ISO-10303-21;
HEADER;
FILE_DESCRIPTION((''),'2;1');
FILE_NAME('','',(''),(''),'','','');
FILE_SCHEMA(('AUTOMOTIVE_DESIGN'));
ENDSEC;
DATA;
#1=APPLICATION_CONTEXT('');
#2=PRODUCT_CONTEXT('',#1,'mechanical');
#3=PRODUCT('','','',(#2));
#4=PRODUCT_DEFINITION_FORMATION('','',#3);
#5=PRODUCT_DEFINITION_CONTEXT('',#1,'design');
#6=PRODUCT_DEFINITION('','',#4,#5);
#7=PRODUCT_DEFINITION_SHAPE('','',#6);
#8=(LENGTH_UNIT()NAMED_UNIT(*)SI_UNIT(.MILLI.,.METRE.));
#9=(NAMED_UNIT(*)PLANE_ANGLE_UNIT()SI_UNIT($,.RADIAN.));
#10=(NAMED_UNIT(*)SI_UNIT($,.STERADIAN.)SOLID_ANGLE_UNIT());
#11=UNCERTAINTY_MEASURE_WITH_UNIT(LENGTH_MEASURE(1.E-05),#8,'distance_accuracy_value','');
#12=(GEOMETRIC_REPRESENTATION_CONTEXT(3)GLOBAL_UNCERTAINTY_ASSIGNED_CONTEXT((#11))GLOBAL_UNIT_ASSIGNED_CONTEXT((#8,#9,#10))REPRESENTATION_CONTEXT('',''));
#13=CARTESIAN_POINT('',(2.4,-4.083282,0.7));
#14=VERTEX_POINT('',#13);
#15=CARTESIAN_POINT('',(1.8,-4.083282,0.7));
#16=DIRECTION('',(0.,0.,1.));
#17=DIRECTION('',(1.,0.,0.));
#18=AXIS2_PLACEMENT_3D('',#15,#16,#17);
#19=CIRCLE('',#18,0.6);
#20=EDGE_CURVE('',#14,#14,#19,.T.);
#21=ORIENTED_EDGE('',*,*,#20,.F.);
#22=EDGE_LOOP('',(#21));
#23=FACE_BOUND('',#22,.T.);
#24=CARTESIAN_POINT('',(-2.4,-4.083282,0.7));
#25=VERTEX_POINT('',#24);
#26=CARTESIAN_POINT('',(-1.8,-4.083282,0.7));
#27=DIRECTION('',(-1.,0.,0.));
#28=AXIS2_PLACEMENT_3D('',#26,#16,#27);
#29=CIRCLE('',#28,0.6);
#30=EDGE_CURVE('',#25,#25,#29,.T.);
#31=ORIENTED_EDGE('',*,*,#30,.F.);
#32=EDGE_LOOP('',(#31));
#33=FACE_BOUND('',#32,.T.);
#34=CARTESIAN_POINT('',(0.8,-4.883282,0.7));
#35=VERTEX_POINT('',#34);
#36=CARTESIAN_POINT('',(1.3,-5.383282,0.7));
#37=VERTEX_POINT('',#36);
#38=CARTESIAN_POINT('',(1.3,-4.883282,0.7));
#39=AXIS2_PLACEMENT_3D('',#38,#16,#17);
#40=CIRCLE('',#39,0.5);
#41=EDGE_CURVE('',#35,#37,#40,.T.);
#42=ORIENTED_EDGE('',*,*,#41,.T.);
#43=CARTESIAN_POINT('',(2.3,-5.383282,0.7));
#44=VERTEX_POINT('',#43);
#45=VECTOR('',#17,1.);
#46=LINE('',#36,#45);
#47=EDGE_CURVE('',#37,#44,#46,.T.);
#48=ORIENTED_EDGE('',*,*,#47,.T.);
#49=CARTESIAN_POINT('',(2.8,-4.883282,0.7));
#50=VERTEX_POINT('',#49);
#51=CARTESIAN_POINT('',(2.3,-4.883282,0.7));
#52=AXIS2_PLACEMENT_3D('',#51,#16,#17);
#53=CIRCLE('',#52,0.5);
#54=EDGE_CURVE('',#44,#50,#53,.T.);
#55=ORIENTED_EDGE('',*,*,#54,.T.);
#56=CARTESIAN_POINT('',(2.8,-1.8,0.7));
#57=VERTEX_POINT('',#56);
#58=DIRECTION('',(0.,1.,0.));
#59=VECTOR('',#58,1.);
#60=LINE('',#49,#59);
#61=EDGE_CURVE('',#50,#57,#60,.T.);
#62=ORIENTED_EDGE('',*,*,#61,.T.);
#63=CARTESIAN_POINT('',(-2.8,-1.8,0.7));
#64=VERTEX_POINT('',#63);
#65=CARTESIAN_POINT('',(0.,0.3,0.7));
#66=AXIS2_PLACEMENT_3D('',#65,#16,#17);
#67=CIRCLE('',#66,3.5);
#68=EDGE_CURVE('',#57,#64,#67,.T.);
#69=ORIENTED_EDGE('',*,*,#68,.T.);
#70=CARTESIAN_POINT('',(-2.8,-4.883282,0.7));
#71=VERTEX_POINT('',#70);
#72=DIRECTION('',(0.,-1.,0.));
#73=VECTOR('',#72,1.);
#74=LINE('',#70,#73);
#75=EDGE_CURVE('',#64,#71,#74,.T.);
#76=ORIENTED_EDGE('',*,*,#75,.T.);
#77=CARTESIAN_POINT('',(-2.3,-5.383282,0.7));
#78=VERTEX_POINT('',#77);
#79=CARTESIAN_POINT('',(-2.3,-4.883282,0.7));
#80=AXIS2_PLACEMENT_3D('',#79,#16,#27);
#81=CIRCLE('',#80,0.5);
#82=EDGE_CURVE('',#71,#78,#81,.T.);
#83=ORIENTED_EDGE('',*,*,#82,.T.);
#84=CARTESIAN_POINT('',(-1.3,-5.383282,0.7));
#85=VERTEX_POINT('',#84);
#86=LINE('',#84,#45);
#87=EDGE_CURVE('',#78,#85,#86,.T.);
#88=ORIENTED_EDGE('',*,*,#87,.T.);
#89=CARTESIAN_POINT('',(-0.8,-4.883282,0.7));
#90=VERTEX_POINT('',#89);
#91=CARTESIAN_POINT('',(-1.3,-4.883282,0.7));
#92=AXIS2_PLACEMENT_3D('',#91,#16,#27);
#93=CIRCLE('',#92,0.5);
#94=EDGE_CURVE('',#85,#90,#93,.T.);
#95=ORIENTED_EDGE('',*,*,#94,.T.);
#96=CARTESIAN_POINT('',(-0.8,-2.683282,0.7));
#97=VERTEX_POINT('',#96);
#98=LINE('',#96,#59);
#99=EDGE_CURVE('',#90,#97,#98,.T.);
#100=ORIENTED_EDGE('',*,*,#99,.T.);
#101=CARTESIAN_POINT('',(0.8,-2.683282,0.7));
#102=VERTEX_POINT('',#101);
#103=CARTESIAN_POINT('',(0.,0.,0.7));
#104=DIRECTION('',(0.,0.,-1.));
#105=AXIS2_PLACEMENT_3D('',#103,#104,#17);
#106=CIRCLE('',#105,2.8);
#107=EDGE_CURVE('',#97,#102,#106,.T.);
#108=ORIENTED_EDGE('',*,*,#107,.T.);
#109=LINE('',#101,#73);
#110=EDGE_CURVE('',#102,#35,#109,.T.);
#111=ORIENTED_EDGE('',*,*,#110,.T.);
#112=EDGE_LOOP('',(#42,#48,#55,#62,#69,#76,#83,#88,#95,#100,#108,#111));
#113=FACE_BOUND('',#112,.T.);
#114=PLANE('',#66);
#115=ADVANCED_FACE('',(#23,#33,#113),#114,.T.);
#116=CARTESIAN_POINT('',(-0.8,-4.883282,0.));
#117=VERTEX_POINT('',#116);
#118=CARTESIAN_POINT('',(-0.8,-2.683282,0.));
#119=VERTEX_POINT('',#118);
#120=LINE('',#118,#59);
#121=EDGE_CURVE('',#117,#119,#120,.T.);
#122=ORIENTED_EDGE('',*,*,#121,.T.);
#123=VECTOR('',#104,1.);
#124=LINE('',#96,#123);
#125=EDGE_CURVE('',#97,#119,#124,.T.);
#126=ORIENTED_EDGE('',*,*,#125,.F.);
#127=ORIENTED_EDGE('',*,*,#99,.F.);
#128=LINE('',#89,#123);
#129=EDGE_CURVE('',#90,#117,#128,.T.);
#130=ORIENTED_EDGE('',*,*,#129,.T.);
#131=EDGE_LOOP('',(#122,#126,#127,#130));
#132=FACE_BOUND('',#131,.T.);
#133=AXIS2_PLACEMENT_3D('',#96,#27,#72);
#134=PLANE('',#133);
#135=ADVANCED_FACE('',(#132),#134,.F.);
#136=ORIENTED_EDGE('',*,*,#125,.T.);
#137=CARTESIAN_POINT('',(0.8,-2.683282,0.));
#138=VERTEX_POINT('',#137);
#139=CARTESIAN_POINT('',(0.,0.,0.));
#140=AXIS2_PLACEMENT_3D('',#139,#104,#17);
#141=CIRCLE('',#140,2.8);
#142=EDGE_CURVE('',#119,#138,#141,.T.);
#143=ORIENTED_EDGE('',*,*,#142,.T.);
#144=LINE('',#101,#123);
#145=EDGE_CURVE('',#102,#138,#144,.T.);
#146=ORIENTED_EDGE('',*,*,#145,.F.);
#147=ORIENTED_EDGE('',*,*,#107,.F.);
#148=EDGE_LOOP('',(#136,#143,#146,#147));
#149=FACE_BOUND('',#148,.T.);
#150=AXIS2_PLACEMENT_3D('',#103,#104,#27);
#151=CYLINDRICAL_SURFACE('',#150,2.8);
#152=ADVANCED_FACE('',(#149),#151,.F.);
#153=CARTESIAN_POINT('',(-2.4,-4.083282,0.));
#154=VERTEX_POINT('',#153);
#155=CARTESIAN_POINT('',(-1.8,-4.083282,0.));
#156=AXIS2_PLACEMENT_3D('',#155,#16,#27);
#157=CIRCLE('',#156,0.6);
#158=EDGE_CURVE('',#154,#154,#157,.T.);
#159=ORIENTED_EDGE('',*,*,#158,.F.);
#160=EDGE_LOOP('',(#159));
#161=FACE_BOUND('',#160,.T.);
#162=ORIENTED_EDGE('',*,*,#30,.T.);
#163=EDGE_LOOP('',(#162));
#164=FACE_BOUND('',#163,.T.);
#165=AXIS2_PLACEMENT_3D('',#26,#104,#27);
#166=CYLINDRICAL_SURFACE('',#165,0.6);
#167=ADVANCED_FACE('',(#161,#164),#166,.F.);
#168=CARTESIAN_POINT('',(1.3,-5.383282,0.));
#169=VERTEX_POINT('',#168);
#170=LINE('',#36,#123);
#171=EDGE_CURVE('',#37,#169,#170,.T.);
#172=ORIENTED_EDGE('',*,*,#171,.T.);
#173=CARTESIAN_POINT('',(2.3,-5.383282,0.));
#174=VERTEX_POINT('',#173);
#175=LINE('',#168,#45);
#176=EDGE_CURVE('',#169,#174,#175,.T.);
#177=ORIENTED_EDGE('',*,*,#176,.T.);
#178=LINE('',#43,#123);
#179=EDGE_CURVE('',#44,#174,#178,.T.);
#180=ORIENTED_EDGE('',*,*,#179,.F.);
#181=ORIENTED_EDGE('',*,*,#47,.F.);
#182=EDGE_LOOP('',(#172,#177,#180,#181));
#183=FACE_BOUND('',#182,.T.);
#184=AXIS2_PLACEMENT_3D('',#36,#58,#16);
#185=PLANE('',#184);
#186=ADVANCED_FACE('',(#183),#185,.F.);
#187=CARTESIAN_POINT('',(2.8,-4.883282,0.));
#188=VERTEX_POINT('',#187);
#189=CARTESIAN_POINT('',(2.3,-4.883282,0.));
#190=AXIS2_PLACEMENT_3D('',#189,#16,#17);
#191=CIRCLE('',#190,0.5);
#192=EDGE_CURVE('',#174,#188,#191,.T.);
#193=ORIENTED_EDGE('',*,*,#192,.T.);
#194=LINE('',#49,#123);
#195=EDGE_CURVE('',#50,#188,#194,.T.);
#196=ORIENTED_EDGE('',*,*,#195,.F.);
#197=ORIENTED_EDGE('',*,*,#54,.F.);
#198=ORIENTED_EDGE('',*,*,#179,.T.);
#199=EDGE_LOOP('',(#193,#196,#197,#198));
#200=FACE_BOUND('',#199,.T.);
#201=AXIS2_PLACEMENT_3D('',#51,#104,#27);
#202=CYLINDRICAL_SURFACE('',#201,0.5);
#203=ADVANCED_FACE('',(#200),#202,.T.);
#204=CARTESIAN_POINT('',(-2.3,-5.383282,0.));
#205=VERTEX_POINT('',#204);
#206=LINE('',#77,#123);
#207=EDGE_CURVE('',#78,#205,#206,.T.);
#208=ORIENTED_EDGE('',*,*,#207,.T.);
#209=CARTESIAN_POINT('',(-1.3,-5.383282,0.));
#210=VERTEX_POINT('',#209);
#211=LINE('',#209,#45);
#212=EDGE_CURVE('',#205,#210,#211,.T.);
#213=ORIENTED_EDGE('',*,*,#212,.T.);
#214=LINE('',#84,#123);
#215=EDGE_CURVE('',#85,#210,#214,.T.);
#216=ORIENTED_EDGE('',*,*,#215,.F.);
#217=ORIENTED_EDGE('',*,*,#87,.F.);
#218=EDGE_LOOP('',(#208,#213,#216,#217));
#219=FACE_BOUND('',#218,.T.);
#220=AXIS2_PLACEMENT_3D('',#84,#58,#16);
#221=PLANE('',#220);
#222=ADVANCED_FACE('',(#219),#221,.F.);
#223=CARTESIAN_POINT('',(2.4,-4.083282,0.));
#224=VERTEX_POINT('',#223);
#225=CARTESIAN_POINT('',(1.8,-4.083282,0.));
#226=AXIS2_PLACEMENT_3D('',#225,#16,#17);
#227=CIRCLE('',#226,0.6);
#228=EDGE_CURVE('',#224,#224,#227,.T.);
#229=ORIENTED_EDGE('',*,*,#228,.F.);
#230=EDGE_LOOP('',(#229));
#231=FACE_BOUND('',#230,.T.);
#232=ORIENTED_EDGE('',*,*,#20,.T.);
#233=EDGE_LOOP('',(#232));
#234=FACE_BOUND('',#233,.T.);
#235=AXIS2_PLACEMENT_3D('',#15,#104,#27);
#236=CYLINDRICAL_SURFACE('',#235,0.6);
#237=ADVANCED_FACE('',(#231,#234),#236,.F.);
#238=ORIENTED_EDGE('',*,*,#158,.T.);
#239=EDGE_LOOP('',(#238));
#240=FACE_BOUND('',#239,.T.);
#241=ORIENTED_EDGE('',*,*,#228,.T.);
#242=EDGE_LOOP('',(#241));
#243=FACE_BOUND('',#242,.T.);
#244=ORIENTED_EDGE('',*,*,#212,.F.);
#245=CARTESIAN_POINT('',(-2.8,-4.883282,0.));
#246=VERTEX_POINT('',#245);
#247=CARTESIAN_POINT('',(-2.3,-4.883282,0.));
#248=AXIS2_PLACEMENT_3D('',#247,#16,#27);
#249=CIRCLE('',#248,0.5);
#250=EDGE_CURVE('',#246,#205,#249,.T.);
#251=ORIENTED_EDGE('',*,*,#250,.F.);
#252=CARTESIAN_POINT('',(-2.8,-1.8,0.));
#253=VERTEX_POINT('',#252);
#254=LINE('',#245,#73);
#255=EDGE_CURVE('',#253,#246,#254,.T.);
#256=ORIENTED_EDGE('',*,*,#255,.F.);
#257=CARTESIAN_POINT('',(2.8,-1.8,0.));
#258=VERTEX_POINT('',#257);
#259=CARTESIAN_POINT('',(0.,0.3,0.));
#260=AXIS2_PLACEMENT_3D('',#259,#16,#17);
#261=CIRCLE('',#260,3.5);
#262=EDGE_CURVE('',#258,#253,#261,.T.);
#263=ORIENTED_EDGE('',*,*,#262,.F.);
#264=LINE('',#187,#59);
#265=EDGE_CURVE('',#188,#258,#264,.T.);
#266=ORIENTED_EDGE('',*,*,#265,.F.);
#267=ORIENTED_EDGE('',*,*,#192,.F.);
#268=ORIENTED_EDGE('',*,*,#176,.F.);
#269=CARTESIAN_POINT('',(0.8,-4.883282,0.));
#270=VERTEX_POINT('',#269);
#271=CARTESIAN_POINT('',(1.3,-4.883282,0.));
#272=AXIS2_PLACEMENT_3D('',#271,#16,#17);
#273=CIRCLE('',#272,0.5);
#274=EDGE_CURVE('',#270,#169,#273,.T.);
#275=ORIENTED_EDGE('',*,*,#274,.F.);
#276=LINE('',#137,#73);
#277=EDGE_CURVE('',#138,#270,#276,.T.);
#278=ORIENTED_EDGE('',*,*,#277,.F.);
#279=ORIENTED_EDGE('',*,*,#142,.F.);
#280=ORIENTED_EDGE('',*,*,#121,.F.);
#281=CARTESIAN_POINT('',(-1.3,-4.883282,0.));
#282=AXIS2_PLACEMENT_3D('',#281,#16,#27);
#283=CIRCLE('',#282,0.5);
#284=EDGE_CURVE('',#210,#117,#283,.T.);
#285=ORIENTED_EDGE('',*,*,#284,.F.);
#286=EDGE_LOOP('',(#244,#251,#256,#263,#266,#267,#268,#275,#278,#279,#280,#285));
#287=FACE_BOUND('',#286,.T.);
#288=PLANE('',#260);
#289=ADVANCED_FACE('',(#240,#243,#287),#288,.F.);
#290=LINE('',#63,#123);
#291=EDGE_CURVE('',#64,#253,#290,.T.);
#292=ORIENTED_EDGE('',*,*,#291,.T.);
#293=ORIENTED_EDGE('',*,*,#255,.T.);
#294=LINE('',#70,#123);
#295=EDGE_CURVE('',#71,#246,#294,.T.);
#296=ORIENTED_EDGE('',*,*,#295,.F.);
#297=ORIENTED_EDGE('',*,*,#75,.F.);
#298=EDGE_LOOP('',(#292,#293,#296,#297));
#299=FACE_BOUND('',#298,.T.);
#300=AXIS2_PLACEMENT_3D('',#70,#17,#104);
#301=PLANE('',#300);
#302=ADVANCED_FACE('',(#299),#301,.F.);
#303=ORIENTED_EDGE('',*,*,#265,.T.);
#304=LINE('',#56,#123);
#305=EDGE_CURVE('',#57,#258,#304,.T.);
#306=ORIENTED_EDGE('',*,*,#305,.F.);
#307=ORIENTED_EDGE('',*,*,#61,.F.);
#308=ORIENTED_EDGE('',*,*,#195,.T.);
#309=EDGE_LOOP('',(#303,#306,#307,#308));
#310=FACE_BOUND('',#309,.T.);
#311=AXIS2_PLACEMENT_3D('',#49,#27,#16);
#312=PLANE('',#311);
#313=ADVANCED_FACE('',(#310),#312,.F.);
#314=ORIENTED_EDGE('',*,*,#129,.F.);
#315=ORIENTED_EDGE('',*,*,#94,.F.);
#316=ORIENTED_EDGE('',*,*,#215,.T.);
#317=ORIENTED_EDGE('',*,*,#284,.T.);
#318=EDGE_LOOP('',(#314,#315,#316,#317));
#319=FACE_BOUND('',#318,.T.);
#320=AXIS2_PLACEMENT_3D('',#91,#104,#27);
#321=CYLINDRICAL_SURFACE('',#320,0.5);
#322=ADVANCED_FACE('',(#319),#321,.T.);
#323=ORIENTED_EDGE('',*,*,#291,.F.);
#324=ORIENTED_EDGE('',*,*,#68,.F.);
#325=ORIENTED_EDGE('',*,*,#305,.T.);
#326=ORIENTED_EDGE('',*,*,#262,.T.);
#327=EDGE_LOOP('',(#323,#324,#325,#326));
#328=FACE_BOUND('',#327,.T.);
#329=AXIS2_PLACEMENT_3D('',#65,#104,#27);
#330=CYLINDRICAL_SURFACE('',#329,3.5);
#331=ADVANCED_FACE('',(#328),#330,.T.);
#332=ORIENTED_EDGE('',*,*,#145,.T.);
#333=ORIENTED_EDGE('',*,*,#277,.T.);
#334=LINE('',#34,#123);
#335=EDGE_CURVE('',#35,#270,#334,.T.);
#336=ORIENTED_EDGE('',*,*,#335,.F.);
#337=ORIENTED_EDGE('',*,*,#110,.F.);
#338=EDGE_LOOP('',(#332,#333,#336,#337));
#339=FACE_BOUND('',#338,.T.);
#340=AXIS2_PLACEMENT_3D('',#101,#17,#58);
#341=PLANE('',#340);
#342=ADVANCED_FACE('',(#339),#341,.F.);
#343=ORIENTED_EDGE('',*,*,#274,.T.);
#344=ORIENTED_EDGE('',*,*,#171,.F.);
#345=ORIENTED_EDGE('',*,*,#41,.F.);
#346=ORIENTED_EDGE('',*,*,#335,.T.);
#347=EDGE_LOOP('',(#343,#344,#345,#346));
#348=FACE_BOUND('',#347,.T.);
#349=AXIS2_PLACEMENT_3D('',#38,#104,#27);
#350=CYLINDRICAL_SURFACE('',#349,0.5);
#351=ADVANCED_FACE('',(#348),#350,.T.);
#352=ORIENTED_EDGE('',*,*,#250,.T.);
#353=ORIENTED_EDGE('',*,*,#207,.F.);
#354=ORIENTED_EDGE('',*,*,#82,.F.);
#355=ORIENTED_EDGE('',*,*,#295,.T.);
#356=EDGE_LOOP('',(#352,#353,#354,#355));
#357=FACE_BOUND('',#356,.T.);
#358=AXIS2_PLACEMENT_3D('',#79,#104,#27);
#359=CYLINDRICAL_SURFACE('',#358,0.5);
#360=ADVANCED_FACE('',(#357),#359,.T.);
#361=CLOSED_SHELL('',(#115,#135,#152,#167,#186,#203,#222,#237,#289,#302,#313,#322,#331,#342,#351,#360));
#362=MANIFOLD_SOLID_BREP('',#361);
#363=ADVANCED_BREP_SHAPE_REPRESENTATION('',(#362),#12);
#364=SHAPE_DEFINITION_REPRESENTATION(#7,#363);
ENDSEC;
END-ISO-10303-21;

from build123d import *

# Parameters (mm, degrees)
SZKIC1_R                    = 0.6
DODANIE_WYCI_GNI_CIE1_DEPTH = 0.7


with BuildPart() as part:
    # Szkic1 → Dodanie-wyciągnięcie1 (new body)
    with BuildSketch(Plane.XY):
        with BuildLine():
            Line((0.8, -2.683281573), (0.8, -4.883281573))
            ThreePointArc((0.8, -4.883281573), (0.946446609, -5.236834964), (1.3, -5.383281573))
            Line((1.3, -5.383281573), (2.3, -5.383281573))
            ThreePointArc((2.3, -5.383281573), (2.653553391, -5.236834964), (2.8, -4.883281573))
            Line((2.8, -4.883281573), (2.8, -1.8))
            ThreePointArc((2.8, -1.8), (0, 3.8), (-2.8, -1.8))
            Line((-2.8, -1.8), (-2.8, -4.883281573))
            ThreePointArc((-2.8, -4.883281573), (-2.653553391, -5.236834964), (-2.3, -5.383281573))
            Line((-2.3, -5.383281573), (-1.3, -5.383281573))
            ThreePointArc((-1.3, -5.383281573), (-0.946446609, -5.236834964), (-0.8, -4.883281573))
            Line((-0.8, -4.883281573), (-0.8, -2.683281573))
            ThreePointArc((-0.8, -2.683281573), (0, 2.8), (0.8, -2.683281573))
        make_face()
        with Locations((1.8, -4.083281573)):
            Circle(SZKIC1_R, mode=Mode.SUBTRACT)
        with Locations(Location((-1.8, -4.083281573, 0), (0, 0, 180))):
            Circle(SZKIC1_R, mode=Mode.SUBTRACT)
    extrude(amount=DODANIE_WYCI_GNI_CIE1_DEPTH)


solid = part.part
